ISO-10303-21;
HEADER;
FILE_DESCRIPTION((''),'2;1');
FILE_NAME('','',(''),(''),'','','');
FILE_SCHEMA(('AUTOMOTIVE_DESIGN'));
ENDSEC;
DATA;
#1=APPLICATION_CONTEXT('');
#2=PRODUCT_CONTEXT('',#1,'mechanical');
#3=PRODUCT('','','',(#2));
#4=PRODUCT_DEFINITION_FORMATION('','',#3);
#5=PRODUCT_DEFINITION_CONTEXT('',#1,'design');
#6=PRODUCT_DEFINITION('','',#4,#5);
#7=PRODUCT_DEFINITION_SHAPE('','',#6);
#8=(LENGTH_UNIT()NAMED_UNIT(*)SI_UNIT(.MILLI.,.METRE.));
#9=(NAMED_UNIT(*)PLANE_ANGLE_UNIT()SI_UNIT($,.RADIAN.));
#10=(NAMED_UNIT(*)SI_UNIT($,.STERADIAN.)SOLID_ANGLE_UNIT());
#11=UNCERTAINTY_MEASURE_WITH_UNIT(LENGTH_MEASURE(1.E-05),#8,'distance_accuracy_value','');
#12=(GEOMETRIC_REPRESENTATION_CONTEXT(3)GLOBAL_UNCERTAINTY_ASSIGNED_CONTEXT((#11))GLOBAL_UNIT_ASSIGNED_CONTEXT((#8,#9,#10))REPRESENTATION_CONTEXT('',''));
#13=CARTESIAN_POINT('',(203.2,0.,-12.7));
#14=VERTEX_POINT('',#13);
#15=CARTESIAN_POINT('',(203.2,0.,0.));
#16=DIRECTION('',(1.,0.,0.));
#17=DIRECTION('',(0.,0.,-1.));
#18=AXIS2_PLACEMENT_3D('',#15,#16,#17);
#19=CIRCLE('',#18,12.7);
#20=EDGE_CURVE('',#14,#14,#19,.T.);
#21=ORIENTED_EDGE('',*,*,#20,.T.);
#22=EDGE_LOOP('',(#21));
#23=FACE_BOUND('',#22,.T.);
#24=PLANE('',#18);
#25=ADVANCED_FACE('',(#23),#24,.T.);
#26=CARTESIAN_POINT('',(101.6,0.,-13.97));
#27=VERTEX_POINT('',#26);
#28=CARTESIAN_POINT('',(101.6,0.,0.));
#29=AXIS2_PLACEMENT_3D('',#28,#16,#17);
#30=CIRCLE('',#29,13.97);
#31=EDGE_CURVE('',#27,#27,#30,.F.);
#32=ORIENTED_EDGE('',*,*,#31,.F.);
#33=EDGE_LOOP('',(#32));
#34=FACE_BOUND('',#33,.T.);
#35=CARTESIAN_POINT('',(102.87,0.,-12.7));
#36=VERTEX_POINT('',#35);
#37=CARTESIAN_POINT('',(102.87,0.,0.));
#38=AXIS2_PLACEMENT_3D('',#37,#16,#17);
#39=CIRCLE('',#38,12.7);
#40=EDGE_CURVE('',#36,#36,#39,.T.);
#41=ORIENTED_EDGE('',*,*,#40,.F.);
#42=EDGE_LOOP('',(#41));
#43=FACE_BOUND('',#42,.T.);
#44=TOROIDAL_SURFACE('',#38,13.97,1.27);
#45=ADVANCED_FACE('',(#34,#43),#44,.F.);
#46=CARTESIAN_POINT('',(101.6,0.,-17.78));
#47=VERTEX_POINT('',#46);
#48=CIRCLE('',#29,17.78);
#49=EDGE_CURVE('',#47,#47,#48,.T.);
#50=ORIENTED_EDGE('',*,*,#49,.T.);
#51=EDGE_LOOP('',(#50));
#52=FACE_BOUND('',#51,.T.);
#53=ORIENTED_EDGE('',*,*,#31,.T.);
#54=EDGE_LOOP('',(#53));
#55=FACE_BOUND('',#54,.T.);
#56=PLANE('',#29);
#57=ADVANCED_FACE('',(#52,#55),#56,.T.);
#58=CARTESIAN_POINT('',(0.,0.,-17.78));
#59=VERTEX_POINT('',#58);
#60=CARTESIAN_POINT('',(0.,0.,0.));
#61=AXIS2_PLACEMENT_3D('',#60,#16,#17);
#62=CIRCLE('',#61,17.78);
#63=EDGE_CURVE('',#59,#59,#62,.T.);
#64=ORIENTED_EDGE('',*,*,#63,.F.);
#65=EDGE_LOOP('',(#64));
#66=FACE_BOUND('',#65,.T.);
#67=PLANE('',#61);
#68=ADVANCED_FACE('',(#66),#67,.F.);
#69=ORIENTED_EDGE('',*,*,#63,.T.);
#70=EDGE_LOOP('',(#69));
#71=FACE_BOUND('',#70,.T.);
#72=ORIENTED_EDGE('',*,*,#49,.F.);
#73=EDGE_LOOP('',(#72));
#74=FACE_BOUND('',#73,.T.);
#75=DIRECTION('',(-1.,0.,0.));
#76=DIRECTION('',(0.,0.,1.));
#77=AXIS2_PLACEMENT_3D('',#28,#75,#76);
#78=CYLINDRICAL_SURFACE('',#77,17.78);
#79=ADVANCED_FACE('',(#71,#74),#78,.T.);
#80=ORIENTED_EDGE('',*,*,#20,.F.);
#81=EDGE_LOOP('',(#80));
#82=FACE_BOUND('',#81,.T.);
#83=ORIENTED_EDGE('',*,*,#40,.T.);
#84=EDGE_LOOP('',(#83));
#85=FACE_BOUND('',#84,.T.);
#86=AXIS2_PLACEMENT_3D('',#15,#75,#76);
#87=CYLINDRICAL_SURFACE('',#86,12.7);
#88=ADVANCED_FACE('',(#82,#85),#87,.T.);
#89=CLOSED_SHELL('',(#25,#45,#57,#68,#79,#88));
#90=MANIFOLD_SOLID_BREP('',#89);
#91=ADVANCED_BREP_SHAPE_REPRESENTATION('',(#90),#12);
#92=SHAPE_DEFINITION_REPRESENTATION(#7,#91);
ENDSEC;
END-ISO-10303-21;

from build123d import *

# Parameters (mm, degrees)
SKETCH1_R               = 17.78
LARGE_DIA_SEGMENT_DEPTH = 101.6
SKETCH2_R               = 12.7
SMALL_DIA_SEGMENT_DEPTH = 101.6
FILLET_0_05_IN_R        = 1.27


with BuildPart() as part:
    # Sketch1 → Large Dia Segment (new body)
    with BuildSketch(Plane(origin=(0, 0, 0), x_dir=(0, 0, -1), z_dir=(1, 0, 0))):
        Circle(SKETCH1_R)
    extrude(amount=LARGE_DIA_SEGMENT_DEPTH)

    # Sketch2 → Small Dia Segment (add)
    with BuildSketch(Plane(origin=(101.6, 0, 0), x_dir=(0, 0, -1), z_dir=(1, 0, 0))):
        Circle(SKETCH2_R)
    extrude(amount=SMALL_DIA_SEGMENT_DEPTH)

    # Fillet 0.05 in
    fillet_0_05_in_edges = [part.edges().sort_by_distance(p)[0] for p in [
        (101.6, 0, 12.7),
    ]]
    fillet(fillet_0_05_in_edges, radius=FILLET_0_05_IN_R)


solid = part.part
